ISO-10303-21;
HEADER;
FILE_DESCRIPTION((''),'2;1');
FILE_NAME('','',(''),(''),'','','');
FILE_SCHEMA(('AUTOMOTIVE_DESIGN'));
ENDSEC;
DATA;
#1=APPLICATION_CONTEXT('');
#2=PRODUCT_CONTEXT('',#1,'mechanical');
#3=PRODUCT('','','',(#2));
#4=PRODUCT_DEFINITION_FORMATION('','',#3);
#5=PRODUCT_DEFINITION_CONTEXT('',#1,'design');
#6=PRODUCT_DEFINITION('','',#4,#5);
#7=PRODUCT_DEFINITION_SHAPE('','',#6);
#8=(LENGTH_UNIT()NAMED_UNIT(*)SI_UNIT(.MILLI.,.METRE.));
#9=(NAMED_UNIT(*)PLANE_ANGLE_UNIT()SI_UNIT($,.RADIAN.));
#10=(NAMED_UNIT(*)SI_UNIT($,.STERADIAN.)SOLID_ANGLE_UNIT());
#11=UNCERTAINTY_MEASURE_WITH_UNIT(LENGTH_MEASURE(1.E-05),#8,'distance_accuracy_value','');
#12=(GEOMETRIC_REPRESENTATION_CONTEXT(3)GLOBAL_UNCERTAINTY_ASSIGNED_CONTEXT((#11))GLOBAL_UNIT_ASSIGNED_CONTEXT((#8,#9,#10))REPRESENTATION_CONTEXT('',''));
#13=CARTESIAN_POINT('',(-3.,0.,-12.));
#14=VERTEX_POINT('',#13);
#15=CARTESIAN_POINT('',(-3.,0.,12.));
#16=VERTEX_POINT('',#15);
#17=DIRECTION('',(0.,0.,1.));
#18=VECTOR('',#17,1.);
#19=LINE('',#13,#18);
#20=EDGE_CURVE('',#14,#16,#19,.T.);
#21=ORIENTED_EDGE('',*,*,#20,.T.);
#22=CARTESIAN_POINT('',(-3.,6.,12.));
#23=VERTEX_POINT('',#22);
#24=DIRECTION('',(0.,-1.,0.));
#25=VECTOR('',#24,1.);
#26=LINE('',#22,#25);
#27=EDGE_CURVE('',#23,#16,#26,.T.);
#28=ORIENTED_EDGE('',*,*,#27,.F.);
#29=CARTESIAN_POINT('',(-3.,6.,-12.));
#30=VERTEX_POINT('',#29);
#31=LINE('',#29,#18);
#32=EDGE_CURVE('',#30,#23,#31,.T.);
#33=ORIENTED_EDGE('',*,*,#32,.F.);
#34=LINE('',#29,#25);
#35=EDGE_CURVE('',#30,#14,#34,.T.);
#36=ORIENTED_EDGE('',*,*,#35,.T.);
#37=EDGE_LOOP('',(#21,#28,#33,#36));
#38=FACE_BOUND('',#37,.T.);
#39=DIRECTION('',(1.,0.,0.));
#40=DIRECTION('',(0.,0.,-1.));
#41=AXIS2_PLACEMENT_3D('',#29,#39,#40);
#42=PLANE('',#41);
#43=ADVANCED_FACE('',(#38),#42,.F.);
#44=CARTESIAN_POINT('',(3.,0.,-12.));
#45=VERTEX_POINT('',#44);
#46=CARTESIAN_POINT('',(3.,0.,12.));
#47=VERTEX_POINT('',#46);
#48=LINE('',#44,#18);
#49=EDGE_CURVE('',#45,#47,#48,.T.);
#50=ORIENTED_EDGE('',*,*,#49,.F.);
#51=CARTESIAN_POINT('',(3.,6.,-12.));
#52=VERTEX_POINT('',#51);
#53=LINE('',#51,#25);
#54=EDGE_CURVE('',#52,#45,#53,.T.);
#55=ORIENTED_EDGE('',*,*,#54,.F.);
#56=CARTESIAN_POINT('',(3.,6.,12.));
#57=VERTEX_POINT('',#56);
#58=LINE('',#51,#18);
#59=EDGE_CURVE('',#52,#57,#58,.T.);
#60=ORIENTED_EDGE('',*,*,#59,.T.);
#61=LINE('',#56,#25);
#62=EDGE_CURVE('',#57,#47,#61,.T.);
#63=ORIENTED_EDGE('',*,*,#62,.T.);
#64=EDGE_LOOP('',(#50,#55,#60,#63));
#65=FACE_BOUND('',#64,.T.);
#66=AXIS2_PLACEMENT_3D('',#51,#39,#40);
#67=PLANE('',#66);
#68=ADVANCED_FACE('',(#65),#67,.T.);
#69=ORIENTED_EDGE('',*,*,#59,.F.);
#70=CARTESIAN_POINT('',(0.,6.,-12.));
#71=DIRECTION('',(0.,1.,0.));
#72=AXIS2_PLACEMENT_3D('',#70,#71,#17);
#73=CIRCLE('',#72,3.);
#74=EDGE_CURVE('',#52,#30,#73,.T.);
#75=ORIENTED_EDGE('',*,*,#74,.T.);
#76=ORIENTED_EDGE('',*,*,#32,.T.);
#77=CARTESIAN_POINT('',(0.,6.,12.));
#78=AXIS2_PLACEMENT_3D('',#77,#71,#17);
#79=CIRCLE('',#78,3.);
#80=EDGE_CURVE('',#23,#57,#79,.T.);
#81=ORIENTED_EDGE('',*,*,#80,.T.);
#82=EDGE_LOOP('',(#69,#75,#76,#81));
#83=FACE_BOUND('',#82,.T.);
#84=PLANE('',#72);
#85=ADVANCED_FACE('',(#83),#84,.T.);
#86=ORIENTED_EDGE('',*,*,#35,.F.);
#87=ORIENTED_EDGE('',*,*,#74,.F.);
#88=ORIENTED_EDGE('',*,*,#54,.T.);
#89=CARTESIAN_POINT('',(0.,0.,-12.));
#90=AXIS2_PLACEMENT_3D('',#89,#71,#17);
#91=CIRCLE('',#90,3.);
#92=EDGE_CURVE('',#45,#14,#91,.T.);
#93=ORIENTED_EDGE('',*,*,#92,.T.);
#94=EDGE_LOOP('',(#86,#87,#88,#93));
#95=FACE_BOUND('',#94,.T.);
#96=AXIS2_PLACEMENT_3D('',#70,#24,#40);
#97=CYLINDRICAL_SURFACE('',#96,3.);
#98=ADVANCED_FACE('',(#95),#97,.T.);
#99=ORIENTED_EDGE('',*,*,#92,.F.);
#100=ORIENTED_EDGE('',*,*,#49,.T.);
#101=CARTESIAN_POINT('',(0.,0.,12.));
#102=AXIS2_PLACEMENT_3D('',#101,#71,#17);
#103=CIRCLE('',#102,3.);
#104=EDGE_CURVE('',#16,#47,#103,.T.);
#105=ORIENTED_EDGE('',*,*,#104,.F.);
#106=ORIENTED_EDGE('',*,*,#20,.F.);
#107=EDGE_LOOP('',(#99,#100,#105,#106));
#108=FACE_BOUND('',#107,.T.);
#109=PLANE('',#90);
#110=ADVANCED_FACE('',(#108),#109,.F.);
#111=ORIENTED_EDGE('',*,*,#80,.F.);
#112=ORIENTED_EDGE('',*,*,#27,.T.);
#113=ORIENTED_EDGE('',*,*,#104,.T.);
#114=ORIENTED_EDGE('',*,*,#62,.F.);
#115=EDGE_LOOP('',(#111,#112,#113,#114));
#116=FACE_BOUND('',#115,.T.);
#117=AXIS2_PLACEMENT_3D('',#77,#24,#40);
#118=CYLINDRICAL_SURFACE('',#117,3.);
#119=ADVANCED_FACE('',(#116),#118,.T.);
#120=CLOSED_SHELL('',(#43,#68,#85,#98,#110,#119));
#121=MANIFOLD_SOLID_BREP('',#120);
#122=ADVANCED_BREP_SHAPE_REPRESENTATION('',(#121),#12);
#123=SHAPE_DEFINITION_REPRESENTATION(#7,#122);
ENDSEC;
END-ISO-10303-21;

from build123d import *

# Parameters (mm, degrees)
BOSS_EXTRUDE1_DEPTH = 6


with BuildPart() as part:
    # Sketch1 → Boss-Extrude1 (new body)
    with BuildSketch(Plane(origin=(0, 0, 0), x_dir=(1, 0, 0), z_dir=(0, 1, 0))):
        with BuildLine():
            Line((3, 12), (3, -12))
            ThreePointArc((3, -12), (0, -15), (-3, -12))
            Line((-3, -12), (-3, 12))
            ThreePointArc((-3, 12), (0, 15), (3, 12))
        make_face()
    extrude(amount=BOSS_EXTRUDE1_DEPTH)


solid = part.part
